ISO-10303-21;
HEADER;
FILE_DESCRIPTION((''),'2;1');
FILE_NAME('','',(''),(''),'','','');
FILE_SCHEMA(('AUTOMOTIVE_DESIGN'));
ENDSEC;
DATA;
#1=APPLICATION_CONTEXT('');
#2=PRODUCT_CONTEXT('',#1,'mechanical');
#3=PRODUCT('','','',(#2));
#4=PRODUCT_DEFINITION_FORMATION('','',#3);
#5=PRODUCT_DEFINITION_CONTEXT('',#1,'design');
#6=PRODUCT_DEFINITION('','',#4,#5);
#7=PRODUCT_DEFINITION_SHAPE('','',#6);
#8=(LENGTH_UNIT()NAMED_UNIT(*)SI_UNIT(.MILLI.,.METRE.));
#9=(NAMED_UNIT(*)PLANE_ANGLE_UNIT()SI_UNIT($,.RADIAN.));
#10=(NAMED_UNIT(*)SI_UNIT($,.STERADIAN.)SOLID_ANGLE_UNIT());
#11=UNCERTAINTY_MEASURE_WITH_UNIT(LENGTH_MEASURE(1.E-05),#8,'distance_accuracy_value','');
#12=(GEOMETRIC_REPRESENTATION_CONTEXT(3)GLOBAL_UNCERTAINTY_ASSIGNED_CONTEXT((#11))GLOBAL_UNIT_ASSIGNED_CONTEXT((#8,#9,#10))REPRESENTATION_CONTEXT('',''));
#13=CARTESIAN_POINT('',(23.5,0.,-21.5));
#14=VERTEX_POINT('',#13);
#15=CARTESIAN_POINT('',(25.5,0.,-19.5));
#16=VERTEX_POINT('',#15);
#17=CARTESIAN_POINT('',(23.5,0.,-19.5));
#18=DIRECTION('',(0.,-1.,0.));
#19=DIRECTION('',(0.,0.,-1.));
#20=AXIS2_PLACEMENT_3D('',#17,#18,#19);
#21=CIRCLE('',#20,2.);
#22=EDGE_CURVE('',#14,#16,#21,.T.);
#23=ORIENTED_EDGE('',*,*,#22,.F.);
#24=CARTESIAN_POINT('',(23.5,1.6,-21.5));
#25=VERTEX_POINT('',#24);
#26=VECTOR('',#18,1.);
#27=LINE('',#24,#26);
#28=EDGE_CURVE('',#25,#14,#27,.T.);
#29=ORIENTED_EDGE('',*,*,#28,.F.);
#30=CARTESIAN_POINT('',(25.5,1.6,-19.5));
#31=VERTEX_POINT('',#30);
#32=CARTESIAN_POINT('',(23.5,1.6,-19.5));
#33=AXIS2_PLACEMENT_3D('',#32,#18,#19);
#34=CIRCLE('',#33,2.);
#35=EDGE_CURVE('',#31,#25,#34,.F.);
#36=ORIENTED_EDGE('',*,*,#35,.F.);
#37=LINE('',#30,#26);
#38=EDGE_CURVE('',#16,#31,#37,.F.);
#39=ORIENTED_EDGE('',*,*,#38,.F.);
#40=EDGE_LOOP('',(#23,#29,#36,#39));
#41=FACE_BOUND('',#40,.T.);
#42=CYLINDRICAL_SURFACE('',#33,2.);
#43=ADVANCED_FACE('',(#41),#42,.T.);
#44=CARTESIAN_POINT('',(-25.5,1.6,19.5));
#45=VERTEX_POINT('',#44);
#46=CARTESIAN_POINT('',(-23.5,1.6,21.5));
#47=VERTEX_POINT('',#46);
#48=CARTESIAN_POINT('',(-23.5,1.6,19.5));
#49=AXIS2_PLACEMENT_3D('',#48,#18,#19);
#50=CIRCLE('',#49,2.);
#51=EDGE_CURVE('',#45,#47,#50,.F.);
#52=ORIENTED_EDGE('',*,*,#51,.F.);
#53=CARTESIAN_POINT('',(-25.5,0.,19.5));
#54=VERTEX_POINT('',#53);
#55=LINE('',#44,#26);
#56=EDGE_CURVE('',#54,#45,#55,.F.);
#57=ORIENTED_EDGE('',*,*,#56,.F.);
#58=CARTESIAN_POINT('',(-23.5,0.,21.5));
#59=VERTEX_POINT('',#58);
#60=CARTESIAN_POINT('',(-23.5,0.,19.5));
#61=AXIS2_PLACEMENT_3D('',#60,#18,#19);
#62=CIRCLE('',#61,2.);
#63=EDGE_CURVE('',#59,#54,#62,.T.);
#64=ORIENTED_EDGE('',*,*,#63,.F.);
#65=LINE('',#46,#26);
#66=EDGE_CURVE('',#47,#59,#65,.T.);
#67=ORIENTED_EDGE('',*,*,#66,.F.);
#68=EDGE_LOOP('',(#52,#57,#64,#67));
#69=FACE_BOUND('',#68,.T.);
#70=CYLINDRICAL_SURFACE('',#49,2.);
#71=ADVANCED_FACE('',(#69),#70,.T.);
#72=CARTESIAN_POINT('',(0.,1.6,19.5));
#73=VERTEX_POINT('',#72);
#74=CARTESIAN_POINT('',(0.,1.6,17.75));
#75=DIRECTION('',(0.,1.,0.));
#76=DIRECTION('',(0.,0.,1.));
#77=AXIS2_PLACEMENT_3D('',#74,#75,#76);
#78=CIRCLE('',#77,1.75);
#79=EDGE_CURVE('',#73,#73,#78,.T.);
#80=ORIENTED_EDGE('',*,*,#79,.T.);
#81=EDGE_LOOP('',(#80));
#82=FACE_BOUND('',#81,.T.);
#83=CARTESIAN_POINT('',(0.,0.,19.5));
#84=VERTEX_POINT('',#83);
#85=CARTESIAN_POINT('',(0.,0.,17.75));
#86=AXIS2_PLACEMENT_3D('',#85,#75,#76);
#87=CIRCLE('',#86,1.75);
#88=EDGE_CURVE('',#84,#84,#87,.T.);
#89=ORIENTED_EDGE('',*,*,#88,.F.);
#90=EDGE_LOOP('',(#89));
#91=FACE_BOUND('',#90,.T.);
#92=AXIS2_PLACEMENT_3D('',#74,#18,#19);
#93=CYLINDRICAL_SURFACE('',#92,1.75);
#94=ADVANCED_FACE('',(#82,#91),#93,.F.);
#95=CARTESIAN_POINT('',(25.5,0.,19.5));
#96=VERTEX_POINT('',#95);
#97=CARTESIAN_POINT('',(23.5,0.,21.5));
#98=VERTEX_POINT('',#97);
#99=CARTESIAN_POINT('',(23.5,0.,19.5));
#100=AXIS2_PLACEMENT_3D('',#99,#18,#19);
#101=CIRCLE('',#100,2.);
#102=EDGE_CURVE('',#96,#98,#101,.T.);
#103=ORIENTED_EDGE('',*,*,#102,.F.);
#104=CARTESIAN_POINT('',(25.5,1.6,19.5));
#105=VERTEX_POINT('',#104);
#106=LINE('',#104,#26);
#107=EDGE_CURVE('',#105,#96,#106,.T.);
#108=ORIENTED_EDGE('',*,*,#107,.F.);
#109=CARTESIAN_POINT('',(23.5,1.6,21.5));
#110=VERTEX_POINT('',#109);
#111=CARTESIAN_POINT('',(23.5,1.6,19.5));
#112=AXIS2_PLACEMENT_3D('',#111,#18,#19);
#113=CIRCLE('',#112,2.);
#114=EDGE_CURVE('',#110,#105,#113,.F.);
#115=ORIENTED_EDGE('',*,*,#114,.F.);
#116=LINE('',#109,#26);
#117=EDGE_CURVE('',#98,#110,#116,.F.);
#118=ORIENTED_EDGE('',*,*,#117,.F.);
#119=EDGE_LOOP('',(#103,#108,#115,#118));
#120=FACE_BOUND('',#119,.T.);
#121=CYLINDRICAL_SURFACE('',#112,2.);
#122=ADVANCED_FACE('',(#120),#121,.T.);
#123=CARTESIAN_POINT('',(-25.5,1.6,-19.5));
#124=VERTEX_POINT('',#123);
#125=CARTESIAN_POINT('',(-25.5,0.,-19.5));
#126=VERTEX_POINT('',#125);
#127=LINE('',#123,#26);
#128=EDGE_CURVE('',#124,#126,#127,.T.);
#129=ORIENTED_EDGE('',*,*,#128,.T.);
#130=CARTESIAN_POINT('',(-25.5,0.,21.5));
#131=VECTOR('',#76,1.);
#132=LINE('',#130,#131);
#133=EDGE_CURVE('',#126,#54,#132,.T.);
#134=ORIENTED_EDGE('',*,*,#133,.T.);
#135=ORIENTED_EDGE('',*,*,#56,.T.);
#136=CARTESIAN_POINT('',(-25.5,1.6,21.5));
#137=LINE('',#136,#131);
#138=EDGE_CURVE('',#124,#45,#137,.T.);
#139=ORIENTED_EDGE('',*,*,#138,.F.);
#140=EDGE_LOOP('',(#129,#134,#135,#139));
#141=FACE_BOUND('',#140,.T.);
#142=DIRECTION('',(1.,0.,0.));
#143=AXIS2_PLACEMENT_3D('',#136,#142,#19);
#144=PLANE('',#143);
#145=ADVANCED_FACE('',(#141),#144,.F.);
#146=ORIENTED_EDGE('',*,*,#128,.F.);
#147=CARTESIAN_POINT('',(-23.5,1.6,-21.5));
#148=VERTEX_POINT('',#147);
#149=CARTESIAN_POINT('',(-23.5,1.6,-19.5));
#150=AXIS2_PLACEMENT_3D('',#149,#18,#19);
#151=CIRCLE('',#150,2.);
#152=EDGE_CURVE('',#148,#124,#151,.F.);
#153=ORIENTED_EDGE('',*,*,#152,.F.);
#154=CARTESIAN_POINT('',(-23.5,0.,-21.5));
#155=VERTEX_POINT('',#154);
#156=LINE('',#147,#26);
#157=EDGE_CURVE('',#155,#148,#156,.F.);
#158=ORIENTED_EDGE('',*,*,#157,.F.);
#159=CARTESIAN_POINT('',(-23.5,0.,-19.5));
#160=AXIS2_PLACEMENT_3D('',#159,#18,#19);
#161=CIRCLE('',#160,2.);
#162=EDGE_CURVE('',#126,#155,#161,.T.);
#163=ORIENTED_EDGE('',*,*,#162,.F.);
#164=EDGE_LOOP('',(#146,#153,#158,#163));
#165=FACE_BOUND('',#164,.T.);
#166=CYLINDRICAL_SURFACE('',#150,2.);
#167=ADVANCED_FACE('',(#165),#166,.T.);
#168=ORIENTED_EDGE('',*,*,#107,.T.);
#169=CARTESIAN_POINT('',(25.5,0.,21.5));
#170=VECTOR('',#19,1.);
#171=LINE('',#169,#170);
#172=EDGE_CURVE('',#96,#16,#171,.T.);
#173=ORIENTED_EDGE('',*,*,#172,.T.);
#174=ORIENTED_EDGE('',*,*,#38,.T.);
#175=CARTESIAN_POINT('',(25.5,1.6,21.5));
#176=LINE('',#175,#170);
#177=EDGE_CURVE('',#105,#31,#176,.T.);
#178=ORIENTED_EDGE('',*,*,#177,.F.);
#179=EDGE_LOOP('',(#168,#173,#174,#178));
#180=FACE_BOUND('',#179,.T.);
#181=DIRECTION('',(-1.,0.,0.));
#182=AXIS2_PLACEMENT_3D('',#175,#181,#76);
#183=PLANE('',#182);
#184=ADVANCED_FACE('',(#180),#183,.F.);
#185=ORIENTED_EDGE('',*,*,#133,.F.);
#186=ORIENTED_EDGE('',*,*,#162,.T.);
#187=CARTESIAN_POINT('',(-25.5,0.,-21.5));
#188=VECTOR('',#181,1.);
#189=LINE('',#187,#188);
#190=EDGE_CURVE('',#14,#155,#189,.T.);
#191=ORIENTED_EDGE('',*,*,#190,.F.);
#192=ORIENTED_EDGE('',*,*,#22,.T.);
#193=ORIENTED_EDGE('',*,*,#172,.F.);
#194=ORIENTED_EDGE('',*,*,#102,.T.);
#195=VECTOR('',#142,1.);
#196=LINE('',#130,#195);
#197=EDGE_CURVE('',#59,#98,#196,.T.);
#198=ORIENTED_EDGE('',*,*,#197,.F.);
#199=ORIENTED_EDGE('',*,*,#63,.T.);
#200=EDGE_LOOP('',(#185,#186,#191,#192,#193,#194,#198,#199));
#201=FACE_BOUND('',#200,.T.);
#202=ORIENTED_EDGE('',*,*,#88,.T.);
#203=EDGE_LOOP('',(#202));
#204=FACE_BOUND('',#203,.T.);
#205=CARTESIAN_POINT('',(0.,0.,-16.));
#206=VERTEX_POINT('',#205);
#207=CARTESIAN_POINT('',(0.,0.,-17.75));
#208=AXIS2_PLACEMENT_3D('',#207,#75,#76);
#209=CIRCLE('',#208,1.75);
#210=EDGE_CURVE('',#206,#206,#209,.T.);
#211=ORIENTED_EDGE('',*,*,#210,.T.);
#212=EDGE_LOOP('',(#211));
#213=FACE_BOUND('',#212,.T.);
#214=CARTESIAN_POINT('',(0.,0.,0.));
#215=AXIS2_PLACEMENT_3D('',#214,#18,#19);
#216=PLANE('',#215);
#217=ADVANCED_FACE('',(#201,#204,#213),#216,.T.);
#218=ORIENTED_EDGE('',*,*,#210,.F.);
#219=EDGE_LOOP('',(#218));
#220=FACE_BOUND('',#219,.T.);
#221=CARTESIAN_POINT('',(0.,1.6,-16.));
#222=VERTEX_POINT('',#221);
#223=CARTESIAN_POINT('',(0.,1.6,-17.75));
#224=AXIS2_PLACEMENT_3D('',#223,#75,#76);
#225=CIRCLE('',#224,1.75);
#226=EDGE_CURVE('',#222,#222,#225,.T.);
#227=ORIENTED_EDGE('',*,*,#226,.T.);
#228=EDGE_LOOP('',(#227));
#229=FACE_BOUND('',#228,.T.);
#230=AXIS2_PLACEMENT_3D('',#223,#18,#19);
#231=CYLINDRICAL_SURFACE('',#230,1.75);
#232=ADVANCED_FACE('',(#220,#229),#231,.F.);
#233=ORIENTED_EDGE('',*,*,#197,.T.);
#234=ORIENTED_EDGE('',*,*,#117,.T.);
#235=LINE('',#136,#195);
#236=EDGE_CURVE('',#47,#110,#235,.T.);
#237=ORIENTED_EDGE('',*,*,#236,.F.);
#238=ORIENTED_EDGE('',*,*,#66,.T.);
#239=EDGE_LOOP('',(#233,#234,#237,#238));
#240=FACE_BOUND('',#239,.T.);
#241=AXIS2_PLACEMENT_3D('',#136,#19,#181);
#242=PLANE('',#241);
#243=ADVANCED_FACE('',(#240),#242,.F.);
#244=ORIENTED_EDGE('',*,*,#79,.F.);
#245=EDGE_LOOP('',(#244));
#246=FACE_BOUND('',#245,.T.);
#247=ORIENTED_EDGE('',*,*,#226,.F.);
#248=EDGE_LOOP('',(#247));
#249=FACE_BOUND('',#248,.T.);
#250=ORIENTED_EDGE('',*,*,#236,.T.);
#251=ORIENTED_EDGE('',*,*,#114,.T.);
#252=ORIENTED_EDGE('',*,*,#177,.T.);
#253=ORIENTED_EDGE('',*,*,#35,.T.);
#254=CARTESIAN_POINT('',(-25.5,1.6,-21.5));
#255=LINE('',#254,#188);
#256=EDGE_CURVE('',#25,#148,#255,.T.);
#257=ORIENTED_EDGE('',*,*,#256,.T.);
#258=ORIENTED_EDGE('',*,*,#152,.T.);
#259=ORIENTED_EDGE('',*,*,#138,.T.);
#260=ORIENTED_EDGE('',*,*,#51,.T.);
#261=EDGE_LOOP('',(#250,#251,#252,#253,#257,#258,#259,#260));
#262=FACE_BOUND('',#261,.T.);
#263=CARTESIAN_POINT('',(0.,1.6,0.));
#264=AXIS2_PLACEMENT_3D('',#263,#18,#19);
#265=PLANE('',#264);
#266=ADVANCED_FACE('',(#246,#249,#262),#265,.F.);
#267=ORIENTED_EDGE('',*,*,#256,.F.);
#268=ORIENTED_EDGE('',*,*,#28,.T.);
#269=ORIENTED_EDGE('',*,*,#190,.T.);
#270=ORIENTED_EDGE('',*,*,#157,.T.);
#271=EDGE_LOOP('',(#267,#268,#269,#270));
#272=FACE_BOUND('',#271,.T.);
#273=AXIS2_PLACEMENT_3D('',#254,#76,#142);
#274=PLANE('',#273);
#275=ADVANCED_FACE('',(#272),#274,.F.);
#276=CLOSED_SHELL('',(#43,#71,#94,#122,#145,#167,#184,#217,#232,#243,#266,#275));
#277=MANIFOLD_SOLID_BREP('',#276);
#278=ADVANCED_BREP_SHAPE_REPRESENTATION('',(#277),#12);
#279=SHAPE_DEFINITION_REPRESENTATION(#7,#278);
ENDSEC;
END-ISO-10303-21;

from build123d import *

# Parameters (mm, degrees)
SKETCH1_W           = 51
SKETCH1_H           = 43
SKETCH1_R           = 1.75
BOSS_EXTRUDE1_DEPTH = 1.6
FILLET1_R           = 2


with BuildPart() as part:
    # Sketch1 → Boss-Extrude1 (new body)
    with BuildSketch(Plane(origin=(0, 0, 0), x_dir=(1, 0, 0), z_dir=(0, 1, 0))):
        Rectangle(SKETCH1_W, SKETCH1_H)
        with Locations(Location((0, 17.75, 0), (0, 0, 270))):
            Circle(SKETCH1_R, mode=Mode.SUBTRACT)
        with Locations(Location((0, -17.75, 0), (0, 0, 270))):
            Circle(SKETCH1_R, mode=Mode.SUBTRACT)
    extrude(amount=BOSS_EXTRUDE1_DEPTH)

    # Fillet1
    fillet1_edges = [part.edges().sort_by_distance(p)[0] for p in [
        (25.5, 0.8, 21.5),
        (-25.5, 0.8, 21.5),
        (-25.5, 0.8, -21.5),
        (25.5, 0.8, -21.5),
    ]]
    fillet(fillet1_edges, radius=FILLET1_R)


solid = part.part
